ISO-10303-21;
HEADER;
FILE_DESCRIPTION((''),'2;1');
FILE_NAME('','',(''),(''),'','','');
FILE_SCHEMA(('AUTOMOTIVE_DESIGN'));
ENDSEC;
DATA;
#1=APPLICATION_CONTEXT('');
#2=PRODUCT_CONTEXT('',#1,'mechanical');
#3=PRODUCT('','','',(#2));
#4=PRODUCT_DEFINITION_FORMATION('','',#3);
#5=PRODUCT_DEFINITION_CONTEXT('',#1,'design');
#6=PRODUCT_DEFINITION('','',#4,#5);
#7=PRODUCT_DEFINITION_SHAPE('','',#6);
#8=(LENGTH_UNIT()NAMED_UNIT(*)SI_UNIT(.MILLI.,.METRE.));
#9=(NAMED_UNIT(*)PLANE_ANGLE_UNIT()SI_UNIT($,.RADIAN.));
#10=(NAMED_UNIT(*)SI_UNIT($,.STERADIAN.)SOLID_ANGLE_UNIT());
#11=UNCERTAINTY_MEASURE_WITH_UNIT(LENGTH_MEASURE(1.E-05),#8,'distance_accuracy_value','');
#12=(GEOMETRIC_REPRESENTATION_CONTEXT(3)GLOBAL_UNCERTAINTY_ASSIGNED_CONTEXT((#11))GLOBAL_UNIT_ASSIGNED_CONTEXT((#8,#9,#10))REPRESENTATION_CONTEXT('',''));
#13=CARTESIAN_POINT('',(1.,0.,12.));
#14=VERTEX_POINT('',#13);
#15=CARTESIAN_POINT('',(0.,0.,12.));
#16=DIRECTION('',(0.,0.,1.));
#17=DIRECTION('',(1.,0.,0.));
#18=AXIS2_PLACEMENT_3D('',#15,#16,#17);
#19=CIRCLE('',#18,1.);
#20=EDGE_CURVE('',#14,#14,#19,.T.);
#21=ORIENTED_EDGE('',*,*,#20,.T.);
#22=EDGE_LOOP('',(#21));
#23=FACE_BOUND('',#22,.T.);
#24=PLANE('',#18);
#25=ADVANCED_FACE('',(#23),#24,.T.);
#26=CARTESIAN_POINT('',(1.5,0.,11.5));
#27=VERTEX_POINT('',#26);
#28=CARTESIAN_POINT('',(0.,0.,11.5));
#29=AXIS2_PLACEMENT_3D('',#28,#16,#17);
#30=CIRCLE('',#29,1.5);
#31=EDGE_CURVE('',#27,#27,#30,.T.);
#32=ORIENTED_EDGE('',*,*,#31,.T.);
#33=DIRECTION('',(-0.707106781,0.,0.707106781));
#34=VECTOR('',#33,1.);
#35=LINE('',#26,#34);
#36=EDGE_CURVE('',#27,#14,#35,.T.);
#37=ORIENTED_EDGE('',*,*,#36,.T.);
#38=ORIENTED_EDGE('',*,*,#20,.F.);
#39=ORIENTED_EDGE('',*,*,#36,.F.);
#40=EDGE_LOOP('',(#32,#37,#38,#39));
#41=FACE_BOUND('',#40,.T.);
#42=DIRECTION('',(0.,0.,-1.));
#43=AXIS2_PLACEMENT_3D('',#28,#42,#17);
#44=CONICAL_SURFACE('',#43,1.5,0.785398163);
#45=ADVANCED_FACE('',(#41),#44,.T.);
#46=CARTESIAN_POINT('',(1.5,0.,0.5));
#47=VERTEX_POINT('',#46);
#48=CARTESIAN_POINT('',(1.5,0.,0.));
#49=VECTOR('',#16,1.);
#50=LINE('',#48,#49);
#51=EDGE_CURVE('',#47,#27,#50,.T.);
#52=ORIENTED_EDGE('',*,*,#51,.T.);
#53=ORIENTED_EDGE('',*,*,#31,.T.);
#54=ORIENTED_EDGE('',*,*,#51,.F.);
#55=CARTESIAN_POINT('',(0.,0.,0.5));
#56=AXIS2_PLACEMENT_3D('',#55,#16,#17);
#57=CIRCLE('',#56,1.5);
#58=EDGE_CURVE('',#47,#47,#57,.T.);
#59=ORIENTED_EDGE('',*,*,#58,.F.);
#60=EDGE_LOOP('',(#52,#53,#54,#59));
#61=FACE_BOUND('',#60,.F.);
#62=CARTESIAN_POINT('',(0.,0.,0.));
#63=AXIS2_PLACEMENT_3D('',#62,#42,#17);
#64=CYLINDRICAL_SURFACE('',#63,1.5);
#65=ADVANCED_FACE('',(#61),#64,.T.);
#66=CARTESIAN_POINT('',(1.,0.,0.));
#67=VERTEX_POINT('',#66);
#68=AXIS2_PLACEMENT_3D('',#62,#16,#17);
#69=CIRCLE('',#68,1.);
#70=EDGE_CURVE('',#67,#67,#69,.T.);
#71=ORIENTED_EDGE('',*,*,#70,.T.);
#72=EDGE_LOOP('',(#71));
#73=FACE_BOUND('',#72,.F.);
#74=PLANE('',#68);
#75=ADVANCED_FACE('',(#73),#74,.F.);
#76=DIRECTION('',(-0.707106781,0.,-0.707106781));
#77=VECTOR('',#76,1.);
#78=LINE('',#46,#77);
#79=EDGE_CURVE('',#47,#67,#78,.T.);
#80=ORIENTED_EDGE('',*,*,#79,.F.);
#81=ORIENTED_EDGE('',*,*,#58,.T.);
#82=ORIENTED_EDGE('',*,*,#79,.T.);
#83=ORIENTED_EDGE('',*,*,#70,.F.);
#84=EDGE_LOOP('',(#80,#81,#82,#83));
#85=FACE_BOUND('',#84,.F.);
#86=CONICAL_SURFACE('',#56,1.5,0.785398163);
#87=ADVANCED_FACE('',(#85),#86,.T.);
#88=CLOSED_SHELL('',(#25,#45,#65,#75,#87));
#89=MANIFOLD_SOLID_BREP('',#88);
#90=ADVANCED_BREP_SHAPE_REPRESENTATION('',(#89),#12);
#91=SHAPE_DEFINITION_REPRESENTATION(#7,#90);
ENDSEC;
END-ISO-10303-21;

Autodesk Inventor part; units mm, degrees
ref_plane "YZ Plane" through (0, 0, 0) normal (1, 0, 0) x (0, 1, 0)
ref_plane "XZ Plane" through (0, 0, 0) normal (0, 1, 0) x (-1, 0, 0)
ref_plane "XY Plane" through (0, 0, 0) normal (0, 0, 1) x (1, 0, 0)
sketch "スケッチ1" plane through (0, 0, 0) normal (0, 0, 1) x (1, 0, 0)
  circle A0 centre (0, 0) radius 1.5
  dimension "d0" = 3
extrude "押し出し1" add sketch "スケッチ1" along normal blind 12
chamfer "面取り1" distance 0.5 angle 45 2 edges at (-1.5, 0, 12) (-1.5, 0, 0)
properties part number "HeikoPin"
